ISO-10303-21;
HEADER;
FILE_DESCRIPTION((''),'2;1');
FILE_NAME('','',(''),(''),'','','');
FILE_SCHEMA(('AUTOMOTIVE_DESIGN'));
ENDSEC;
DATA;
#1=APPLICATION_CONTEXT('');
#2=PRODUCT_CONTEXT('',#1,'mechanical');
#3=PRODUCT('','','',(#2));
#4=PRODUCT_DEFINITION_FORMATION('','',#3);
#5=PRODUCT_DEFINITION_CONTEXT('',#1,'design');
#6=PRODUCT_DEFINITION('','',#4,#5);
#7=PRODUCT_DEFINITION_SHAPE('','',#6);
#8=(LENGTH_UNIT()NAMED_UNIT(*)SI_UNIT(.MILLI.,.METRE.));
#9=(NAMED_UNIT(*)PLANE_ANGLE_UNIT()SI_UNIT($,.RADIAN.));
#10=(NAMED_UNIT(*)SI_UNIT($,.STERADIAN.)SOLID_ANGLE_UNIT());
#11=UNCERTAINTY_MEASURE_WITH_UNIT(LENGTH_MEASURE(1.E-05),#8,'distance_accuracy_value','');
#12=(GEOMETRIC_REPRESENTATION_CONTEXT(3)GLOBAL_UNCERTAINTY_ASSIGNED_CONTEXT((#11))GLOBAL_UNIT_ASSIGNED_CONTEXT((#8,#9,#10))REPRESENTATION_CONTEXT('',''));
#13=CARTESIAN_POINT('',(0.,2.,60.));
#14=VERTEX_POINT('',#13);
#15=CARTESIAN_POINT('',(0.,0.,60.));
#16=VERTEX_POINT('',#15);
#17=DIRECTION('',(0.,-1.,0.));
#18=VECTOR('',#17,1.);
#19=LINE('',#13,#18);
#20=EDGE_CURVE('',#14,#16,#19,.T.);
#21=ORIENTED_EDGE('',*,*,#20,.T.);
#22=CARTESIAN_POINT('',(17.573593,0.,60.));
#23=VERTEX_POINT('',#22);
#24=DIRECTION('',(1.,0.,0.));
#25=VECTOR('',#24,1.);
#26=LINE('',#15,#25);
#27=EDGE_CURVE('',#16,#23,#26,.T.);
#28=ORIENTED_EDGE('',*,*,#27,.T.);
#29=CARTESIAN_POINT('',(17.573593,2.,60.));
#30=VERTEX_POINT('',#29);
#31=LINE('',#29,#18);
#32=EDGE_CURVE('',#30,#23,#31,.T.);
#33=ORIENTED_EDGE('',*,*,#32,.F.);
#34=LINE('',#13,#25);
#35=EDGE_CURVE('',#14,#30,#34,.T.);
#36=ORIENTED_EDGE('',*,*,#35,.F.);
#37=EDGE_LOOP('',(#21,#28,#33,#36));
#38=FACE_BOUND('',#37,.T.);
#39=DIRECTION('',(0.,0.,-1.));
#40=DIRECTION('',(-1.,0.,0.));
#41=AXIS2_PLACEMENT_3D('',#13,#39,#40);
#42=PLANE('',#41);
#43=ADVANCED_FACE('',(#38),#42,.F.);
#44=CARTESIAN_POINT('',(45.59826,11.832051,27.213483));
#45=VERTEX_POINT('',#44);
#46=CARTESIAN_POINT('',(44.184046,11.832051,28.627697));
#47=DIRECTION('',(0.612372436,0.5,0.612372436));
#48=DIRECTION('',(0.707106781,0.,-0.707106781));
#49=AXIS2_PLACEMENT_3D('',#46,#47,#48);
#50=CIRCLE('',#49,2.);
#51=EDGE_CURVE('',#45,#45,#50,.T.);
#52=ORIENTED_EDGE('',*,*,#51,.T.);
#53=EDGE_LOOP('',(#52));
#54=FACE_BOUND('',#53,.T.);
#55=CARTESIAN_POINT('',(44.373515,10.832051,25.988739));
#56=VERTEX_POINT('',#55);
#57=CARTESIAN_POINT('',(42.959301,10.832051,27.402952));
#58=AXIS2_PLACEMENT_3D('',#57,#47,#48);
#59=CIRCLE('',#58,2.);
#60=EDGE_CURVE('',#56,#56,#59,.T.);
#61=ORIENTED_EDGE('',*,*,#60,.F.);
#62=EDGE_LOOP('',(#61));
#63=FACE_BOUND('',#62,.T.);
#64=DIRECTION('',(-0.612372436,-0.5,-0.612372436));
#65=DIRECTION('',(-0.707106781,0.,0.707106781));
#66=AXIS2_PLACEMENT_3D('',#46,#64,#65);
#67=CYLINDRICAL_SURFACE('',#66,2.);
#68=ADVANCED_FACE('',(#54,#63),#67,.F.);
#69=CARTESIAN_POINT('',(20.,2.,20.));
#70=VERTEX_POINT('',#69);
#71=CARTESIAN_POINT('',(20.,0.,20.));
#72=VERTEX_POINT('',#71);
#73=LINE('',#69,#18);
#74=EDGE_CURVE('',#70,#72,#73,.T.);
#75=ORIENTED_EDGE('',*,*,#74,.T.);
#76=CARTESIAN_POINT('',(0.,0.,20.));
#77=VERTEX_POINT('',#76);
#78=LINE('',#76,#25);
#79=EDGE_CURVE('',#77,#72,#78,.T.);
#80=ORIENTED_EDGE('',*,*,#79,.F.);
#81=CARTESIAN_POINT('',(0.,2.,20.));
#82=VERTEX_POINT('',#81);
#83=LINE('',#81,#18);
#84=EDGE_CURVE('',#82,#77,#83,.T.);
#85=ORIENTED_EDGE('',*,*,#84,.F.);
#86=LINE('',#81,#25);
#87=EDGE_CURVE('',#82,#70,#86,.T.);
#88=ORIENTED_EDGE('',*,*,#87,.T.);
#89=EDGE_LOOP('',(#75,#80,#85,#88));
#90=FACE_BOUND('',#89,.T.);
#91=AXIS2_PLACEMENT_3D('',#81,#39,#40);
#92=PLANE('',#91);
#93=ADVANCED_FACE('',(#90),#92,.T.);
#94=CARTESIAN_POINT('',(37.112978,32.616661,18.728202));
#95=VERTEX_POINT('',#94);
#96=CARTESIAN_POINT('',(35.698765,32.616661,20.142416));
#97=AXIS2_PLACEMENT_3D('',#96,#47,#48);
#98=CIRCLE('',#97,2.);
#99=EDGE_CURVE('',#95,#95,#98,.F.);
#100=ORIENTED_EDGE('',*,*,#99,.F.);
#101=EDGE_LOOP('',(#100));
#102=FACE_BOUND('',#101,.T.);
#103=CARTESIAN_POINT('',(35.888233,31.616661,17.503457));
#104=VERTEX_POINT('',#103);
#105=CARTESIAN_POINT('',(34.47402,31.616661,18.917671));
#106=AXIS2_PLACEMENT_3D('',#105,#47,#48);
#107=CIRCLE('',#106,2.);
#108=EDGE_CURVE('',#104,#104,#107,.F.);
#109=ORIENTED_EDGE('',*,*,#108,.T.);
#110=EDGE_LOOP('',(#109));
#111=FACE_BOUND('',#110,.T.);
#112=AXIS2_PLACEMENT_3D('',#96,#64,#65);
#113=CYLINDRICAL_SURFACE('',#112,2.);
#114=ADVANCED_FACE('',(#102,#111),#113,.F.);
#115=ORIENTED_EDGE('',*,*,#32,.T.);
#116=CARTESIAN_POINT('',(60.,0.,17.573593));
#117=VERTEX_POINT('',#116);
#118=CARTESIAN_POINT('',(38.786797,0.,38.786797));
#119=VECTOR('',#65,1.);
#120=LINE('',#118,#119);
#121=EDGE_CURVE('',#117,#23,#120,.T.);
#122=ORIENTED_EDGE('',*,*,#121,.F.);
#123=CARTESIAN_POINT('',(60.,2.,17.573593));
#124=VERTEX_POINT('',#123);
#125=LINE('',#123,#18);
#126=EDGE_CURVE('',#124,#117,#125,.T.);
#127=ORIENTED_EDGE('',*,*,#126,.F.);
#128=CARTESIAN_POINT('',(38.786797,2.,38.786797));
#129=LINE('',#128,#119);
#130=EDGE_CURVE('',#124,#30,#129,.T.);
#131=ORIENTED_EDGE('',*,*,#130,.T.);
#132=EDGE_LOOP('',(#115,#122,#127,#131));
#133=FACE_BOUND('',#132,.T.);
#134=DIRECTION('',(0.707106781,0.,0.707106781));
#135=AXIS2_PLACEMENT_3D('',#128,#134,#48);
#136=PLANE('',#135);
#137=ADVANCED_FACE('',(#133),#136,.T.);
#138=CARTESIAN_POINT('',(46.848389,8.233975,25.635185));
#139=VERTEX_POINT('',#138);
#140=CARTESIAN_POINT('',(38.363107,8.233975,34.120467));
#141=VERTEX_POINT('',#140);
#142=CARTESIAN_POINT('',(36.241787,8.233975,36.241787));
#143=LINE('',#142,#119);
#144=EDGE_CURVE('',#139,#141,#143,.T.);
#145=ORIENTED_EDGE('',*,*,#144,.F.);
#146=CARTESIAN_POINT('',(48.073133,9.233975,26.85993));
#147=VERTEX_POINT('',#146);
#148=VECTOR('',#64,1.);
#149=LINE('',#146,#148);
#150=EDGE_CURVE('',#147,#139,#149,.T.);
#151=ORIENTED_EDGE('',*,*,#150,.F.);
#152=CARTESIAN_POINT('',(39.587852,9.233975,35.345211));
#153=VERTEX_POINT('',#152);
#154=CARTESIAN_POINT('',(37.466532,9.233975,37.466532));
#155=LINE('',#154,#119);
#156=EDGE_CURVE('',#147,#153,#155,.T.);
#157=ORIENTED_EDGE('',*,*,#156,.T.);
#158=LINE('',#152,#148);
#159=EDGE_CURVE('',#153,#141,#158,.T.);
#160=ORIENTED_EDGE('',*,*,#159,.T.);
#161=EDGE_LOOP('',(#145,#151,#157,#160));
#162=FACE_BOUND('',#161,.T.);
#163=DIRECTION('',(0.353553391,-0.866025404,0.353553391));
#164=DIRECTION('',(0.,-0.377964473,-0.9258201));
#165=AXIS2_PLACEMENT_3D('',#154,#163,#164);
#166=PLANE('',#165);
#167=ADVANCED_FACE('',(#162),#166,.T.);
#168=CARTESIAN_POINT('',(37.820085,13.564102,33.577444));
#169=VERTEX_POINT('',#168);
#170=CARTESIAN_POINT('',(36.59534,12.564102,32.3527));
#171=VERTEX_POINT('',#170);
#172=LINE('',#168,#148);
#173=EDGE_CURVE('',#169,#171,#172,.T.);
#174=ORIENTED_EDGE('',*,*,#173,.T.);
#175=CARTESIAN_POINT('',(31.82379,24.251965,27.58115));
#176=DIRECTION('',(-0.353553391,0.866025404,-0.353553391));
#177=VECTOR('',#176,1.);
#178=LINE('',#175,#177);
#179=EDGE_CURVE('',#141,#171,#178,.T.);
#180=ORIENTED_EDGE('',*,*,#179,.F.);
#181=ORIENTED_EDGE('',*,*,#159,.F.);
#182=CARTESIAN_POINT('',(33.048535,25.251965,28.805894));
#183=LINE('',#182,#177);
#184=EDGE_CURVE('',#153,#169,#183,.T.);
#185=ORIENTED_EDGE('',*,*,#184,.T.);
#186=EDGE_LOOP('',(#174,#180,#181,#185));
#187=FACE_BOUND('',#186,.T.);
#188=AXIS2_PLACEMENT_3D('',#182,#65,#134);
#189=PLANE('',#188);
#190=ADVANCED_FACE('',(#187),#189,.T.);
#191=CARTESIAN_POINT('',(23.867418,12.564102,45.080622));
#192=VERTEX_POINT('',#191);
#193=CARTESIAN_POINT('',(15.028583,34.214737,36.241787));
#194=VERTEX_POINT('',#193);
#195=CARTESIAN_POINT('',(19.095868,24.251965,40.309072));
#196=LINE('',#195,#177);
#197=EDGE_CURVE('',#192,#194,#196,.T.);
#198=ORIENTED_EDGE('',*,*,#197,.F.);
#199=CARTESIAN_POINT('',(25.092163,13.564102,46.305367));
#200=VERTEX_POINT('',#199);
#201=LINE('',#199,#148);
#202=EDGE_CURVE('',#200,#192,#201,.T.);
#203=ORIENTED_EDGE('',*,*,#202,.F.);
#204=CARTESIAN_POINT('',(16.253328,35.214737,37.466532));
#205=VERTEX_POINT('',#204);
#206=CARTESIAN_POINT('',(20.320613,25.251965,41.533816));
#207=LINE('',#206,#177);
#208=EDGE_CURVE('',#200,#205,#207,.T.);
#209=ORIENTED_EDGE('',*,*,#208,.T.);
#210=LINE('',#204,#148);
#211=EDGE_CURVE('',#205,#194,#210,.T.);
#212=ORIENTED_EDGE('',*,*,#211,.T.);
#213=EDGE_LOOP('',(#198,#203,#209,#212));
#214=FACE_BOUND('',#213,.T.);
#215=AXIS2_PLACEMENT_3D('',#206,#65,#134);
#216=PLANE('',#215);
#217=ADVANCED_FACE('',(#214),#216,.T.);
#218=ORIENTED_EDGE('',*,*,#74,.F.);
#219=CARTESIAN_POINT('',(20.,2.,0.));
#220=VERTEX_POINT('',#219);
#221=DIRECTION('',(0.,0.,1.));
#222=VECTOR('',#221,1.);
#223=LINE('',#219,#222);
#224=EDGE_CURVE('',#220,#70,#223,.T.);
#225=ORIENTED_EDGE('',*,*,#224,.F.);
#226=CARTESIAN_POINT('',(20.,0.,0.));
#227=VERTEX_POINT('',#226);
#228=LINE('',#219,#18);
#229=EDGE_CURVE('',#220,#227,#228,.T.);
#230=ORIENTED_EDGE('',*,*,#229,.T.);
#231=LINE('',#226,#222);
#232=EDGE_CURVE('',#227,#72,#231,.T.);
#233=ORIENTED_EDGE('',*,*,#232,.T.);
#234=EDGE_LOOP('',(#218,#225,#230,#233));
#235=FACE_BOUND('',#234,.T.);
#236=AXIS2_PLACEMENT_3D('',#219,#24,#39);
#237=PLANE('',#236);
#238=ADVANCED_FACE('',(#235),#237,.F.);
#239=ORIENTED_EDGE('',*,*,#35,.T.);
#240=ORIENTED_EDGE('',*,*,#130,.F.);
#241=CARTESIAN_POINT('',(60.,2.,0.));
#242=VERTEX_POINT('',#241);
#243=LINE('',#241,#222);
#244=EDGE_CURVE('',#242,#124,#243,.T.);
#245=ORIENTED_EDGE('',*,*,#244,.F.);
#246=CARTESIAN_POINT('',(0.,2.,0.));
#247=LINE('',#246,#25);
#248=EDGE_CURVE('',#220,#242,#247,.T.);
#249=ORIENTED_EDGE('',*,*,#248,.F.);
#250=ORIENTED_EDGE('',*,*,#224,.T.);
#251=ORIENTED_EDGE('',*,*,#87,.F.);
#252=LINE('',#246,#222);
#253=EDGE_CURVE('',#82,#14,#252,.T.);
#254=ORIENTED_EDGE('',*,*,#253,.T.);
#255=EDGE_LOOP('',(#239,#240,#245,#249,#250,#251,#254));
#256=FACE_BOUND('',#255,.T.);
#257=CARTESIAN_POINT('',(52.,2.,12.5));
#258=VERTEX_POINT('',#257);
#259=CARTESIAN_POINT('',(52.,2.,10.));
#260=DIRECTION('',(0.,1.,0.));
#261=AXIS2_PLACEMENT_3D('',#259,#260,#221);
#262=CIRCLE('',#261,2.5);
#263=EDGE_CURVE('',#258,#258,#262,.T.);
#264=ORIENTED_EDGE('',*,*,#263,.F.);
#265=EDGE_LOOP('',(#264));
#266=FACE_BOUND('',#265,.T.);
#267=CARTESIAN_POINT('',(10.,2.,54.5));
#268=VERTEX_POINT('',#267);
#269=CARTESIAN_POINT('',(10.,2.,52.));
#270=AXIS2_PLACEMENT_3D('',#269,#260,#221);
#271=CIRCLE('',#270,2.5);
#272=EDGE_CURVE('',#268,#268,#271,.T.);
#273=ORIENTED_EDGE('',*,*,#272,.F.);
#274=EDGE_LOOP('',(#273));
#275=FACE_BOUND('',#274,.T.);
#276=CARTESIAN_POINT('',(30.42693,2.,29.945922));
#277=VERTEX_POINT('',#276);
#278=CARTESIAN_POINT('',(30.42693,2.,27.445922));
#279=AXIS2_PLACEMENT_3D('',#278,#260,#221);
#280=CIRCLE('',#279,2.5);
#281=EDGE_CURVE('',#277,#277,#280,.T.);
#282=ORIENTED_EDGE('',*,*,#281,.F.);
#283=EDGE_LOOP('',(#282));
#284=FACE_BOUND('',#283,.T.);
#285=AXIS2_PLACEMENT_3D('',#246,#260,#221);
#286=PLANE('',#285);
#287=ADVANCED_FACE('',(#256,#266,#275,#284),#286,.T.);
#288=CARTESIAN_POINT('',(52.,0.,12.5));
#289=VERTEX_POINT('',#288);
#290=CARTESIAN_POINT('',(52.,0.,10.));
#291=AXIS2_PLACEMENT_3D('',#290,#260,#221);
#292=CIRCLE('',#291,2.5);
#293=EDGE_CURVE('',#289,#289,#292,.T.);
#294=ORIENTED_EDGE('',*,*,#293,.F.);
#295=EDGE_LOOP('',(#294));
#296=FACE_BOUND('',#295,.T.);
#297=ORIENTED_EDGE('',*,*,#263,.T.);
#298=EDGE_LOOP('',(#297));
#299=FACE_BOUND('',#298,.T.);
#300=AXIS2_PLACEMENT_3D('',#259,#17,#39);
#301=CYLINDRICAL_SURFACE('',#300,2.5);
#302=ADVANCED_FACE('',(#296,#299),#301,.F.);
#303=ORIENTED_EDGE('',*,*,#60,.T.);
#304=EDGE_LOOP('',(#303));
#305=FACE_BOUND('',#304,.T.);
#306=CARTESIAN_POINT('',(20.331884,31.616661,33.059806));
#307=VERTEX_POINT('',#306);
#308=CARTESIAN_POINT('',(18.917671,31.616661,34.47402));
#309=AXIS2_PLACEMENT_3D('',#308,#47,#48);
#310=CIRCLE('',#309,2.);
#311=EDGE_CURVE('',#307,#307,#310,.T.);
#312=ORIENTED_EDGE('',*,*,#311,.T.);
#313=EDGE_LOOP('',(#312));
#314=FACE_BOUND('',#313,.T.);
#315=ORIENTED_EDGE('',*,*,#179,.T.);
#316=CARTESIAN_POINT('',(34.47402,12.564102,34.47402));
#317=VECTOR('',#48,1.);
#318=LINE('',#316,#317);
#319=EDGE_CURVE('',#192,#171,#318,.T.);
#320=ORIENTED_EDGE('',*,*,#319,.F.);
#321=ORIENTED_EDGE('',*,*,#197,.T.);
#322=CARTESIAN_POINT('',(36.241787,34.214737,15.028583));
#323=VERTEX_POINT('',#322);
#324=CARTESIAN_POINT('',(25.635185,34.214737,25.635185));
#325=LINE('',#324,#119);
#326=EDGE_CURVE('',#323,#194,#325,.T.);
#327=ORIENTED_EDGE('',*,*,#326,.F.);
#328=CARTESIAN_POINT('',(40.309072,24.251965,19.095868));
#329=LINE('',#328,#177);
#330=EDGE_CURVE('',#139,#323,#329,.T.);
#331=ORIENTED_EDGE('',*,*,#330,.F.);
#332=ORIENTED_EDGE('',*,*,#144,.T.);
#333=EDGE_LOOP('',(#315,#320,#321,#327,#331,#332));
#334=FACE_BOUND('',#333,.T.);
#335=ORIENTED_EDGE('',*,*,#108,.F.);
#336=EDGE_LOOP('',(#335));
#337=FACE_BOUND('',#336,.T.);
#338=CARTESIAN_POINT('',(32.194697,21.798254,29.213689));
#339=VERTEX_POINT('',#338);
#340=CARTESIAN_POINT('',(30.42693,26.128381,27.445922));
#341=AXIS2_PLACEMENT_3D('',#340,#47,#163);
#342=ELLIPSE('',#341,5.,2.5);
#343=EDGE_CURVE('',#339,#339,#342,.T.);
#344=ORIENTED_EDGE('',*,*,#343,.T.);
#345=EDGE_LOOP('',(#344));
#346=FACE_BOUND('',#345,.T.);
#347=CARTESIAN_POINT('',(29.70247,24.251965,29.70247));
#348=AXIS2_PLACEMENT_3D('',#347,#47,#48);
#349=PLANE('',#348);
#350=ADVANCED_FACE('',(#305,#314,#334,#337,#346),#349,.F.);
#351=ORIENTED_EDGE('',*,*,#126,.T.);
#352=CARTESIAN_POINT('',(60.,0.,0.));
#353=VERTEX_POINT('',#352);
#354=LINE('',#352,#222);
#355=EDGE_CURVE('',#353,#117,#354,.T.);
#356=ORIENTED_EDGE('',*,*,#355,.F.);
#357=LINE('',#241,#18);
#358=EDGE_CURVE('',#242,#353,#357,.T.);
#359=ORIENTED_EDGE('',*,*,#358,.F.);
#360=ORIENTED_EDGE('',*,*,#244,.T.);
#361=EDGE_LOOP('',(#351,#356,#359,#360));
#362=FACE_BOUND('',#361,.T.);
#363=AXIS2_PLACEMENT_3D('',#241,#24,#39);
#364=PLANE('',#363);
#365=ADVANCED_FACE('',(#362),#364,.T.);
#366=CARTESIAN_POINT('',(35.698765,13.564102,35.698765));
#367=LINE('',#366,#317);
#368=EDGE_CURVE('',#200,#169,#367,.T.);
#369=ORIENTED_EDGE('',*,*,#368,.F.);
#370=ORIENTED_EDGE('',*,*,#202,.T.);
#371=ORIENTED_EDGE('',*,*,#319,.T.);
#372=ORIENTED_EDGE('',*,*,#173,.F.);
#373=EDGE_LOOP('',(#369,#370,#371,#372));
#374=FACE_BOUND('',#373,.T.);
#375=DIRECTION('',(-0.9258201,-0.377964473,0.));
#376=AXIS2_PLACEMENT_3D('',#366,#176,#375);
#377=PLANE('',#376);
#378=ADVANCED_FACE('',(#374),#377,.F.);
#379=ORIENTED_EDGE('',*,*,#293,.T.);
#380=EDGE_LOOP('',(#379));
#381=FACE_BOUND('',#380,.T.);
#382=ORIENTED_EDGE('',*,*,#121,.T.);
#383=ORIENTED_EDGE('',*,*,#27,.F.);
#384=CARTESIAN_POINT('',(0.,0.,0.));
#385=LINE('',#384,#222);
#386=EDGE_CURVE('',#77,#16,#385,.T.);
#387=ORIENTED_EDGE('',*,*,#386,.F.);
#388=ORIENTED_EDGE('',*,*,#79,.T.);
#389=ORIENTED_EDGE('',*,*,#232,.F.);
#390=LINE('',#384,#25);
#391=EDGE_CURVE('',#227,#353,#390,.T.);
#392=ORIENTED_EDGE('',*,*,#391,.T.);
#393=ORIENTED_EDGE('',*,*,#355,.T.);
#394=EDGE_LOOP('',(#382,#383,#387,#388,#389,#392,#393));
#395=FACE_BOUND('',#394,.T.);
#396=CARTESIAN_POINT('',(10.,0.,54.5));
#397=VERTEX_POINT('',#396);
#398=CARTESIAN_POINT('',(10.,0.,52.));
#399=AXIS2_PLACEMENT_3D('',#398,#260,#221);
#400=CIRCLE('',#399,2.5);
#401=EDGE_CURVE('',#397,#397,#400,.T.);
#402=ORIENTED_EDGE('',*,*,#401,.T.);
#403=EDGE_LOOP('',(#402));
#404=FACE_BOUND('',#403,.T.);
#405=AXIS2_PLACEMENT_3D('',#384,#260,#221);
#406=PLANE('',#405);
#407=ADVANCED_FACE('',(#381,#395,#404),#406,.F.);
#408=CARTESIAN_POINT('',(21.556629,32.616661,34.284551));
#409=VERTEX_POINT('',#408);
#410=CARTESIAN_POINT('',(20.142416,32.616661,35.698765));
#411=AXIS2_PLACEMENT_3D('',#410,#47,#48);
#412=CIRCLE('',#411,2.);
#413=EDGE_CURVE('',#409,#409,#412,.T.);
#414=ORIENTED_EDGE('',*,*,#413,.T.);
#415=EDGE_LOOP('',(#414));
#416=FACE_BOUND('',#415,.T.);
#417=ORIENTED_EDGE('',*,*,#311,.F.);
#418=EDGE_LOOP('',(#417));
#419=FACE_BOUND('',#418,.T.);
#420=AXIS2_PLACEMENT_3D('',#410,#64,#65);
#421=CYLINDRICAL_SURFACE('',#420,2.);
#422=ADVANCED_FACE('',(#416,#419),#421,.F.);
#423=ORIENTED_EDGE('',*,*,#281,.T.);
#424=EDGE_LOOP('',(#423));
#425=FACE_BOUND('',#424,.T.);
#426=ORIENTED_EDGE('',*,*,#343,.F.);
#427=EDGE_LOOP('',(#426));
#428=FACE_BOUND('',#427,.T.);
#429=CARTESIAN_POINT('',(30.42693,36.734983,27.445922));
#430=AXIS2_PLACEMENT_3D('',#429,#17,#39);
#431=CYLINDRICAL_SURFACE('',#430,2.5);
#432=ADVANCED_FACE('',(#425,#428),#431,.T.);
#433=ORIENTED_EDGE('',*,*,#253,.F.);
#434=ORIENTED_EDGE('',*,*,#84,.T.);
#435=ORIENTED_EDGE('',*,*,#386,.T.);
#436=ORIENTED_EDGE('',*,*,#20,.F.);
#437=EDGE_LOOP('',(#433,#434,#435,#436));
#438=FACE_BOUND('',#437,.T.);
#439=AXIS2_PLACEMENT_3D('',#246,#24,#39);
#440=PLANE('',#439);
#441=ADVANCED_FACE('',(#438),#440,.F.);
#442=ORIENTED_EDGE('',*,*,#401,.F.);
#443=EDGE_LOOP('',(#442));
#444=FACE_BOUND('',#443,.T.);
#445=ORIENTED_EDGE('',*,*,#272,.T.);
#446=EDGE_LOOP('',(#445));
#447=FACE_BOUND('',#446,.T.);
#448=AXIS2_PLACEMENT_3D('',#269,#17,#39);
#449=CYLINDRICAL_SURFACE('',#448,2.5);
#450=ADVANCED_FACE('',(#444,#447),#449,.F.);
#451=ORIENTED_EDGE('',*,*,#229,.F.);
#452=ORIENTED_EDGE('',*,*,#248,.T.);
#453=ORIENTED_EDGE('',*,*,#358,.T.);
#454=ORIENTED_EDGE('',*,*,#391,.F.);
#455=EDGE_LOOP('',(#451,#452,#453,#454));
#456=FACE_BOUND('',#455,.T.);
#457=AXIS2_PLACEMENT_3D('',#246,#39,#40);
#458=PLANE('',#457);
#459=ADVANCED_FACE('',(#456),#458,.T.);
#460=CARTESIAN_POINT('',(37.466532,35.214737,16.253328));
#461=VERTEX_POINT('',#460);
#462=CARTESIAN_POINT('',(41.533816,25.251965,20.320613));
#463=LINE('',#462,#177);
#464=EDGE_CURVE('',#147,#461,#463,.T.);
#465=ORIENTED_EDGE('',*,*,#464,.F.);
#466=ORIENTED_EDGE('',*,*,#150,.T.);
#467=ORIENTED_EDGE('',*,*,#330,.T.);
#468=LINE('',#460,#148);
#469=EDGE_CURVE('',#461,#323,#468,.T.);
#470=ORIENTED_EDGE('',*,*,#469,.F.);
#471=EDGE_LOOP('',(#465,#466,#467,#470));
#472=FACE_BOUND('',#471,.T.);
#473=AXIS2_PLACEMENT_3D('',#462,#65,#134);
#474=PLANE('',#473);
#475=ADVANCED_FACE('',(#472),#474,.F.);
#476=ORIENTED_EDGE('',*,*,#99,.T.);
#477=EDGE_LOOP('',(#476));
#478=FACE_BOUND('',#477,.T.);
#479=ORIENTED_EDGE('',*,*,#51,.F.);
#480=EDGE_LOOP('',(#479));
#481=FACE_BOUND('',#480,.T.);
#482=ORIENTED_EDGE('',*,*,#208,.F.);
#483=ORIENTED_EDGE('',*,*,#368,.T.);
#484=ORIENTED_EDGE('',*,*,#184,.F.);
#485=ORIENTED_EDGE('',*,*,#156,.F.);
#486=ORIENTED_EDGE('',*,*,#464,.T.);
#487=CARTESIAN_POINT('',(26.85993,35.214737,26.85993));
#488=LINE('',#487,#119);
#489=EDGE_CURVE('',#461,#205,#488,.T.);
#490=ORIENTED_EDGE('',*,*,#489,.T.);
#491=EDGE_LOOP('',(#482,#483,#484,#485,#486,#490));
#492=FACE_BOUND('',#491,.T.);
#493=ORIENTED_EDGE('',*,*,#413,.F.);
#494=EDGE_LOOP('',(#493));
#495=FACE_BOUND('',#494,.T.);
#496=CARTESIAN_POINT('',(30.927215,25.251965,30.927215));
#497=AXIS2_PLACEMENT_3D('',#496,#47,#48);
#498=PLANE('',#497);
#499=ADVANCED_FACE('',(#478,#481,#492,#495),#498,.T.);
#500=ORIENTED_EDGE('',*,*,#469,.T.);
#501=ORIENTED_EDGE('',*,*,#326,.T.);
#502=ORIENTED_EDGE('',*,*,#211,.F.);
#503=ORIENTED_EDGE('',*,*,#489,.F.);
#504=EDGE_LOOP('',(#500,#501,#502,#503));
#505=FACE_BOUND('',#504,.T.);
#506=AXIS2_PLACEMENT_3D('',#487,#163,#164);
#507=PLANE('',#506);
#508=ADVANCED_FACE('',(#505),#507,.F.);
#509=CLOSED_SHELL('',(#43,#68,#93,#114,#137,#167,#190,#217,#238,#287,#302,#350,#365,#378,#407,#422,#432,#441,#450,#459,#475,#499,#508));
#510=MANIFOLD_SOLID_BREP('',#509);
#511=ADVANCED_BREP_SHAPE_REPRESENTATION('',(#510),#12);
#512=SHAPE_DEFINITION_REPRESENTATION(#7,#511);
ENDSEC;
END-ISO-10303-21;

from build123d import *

# Parameters (mm, degrees)
SKETCH_1_R      = 2.5
EXTRUDE_1_DEPTH = 2
SKETCH_2_R      = 2
EXTRUDE_3_DEPTH = 2
EXTRUDE_4_REACH = 93.122
SKETCH_4_R      = 2.5


with BuildPart() as part:
    # 草图1 → 凸台-拉伸1 (new body)
    with BuildSketch(Plane(origin=(0, 0, 0), x_dir=(1, 0, 0), z_dir=(0, 1, 0))):
        Polygon((17.573593129, -60), (60, -17.573593129), (60, 0), (20, 0), (20, -20), (0, -20), (0, -60), align=None)
        with Locations(Location((10, -52, 0), (0, 0, 270))):
            Circle(SKETCH_1_R, mode=Mode.SUBTRACT)
        with Locations(Location((52, -10, 0), (0, 0, 270))):
            Circle(SKETCH_1_R, mode=Mode.SUBTRACT)
    extrude(amount=EXTRUDE_1_DEPTH)



with BuildPart() as body_2:
    # 草图2 → 凸台-拉伸3 (new body)
    with BuildSketch(Plane(origin=(29.702469859, 24.251965085, 29.702469859), x_dir=(-0.7071067811865476, 0, 0.7071067811865476), z_dir=(0.6123724356957954, 0.499999999999998, 0.6123724356957954))):
        Polygon((-3, 18.4959816), (-15, 18.4959816), (-15, -11.5040184), (15, -11.5040184), (15, 13.4959816), (11, 13.4959816), (-3, 13.4959816), align=None)
        with Locations(Location((-11, -8.5040184, 0), (0, 0, 180))):
            Circle(SKETCH_2_R, mode=Mode.SUBTRACT)
        with Locations(Location((11, -8.5040184, 0), (0, 0, 180))):
            Circle(SKETCH_2_R, mode=Mode.SUBTRACT)
        with Locations(Location((-11, 15.4959816, 0), (0, 0, 180))):
            Circle(SKETCH_2_R, mode=Mode.SUBTRACT)
    extrude(amount=EXTRUDE_3_DEPTH)


with BuildPart() as part_1:
    add(part.part)

    add(body_2.part)  # 凸台-拉伸4 merges body 2
    # 凸台-拉伸4: up to this plane
    extrude_4_end = Plane(origin=(29.702469859, 24.251965085, 29.702469859), z_dir=(0.6123724356957954, 0.499999999999998, 0.6123724356957954))
    # 草图4 → 凸台-拉伸4 (add, up to the surface)
    with BuildSketch(Plane(origin=(0, 2, 0), x_dir=(1, 0, 0), z_dir=(0, 1, 0)), mode=Mode.PRIVATE) as extrude_4_sk1:
        with Locations(Location((30.42692979, -27.445922357, 0), (0, 0, 315))):
            Circle(SKETCH_4_R)
    extrude_4_tool1 = split(extrude(extrude_4_sk1.sketch, amount=EXTRUDE_4_REACH, mode=Mode.PRIVATE), bisect_by=extrude_4_end, keep=Keep.BOTH, mode=Mode.PRIVATE)
    add(extrude_4_tool1.solids().sort_by_distance((30.42693, 2, 27.445922))[0])


solid = part_1.part
